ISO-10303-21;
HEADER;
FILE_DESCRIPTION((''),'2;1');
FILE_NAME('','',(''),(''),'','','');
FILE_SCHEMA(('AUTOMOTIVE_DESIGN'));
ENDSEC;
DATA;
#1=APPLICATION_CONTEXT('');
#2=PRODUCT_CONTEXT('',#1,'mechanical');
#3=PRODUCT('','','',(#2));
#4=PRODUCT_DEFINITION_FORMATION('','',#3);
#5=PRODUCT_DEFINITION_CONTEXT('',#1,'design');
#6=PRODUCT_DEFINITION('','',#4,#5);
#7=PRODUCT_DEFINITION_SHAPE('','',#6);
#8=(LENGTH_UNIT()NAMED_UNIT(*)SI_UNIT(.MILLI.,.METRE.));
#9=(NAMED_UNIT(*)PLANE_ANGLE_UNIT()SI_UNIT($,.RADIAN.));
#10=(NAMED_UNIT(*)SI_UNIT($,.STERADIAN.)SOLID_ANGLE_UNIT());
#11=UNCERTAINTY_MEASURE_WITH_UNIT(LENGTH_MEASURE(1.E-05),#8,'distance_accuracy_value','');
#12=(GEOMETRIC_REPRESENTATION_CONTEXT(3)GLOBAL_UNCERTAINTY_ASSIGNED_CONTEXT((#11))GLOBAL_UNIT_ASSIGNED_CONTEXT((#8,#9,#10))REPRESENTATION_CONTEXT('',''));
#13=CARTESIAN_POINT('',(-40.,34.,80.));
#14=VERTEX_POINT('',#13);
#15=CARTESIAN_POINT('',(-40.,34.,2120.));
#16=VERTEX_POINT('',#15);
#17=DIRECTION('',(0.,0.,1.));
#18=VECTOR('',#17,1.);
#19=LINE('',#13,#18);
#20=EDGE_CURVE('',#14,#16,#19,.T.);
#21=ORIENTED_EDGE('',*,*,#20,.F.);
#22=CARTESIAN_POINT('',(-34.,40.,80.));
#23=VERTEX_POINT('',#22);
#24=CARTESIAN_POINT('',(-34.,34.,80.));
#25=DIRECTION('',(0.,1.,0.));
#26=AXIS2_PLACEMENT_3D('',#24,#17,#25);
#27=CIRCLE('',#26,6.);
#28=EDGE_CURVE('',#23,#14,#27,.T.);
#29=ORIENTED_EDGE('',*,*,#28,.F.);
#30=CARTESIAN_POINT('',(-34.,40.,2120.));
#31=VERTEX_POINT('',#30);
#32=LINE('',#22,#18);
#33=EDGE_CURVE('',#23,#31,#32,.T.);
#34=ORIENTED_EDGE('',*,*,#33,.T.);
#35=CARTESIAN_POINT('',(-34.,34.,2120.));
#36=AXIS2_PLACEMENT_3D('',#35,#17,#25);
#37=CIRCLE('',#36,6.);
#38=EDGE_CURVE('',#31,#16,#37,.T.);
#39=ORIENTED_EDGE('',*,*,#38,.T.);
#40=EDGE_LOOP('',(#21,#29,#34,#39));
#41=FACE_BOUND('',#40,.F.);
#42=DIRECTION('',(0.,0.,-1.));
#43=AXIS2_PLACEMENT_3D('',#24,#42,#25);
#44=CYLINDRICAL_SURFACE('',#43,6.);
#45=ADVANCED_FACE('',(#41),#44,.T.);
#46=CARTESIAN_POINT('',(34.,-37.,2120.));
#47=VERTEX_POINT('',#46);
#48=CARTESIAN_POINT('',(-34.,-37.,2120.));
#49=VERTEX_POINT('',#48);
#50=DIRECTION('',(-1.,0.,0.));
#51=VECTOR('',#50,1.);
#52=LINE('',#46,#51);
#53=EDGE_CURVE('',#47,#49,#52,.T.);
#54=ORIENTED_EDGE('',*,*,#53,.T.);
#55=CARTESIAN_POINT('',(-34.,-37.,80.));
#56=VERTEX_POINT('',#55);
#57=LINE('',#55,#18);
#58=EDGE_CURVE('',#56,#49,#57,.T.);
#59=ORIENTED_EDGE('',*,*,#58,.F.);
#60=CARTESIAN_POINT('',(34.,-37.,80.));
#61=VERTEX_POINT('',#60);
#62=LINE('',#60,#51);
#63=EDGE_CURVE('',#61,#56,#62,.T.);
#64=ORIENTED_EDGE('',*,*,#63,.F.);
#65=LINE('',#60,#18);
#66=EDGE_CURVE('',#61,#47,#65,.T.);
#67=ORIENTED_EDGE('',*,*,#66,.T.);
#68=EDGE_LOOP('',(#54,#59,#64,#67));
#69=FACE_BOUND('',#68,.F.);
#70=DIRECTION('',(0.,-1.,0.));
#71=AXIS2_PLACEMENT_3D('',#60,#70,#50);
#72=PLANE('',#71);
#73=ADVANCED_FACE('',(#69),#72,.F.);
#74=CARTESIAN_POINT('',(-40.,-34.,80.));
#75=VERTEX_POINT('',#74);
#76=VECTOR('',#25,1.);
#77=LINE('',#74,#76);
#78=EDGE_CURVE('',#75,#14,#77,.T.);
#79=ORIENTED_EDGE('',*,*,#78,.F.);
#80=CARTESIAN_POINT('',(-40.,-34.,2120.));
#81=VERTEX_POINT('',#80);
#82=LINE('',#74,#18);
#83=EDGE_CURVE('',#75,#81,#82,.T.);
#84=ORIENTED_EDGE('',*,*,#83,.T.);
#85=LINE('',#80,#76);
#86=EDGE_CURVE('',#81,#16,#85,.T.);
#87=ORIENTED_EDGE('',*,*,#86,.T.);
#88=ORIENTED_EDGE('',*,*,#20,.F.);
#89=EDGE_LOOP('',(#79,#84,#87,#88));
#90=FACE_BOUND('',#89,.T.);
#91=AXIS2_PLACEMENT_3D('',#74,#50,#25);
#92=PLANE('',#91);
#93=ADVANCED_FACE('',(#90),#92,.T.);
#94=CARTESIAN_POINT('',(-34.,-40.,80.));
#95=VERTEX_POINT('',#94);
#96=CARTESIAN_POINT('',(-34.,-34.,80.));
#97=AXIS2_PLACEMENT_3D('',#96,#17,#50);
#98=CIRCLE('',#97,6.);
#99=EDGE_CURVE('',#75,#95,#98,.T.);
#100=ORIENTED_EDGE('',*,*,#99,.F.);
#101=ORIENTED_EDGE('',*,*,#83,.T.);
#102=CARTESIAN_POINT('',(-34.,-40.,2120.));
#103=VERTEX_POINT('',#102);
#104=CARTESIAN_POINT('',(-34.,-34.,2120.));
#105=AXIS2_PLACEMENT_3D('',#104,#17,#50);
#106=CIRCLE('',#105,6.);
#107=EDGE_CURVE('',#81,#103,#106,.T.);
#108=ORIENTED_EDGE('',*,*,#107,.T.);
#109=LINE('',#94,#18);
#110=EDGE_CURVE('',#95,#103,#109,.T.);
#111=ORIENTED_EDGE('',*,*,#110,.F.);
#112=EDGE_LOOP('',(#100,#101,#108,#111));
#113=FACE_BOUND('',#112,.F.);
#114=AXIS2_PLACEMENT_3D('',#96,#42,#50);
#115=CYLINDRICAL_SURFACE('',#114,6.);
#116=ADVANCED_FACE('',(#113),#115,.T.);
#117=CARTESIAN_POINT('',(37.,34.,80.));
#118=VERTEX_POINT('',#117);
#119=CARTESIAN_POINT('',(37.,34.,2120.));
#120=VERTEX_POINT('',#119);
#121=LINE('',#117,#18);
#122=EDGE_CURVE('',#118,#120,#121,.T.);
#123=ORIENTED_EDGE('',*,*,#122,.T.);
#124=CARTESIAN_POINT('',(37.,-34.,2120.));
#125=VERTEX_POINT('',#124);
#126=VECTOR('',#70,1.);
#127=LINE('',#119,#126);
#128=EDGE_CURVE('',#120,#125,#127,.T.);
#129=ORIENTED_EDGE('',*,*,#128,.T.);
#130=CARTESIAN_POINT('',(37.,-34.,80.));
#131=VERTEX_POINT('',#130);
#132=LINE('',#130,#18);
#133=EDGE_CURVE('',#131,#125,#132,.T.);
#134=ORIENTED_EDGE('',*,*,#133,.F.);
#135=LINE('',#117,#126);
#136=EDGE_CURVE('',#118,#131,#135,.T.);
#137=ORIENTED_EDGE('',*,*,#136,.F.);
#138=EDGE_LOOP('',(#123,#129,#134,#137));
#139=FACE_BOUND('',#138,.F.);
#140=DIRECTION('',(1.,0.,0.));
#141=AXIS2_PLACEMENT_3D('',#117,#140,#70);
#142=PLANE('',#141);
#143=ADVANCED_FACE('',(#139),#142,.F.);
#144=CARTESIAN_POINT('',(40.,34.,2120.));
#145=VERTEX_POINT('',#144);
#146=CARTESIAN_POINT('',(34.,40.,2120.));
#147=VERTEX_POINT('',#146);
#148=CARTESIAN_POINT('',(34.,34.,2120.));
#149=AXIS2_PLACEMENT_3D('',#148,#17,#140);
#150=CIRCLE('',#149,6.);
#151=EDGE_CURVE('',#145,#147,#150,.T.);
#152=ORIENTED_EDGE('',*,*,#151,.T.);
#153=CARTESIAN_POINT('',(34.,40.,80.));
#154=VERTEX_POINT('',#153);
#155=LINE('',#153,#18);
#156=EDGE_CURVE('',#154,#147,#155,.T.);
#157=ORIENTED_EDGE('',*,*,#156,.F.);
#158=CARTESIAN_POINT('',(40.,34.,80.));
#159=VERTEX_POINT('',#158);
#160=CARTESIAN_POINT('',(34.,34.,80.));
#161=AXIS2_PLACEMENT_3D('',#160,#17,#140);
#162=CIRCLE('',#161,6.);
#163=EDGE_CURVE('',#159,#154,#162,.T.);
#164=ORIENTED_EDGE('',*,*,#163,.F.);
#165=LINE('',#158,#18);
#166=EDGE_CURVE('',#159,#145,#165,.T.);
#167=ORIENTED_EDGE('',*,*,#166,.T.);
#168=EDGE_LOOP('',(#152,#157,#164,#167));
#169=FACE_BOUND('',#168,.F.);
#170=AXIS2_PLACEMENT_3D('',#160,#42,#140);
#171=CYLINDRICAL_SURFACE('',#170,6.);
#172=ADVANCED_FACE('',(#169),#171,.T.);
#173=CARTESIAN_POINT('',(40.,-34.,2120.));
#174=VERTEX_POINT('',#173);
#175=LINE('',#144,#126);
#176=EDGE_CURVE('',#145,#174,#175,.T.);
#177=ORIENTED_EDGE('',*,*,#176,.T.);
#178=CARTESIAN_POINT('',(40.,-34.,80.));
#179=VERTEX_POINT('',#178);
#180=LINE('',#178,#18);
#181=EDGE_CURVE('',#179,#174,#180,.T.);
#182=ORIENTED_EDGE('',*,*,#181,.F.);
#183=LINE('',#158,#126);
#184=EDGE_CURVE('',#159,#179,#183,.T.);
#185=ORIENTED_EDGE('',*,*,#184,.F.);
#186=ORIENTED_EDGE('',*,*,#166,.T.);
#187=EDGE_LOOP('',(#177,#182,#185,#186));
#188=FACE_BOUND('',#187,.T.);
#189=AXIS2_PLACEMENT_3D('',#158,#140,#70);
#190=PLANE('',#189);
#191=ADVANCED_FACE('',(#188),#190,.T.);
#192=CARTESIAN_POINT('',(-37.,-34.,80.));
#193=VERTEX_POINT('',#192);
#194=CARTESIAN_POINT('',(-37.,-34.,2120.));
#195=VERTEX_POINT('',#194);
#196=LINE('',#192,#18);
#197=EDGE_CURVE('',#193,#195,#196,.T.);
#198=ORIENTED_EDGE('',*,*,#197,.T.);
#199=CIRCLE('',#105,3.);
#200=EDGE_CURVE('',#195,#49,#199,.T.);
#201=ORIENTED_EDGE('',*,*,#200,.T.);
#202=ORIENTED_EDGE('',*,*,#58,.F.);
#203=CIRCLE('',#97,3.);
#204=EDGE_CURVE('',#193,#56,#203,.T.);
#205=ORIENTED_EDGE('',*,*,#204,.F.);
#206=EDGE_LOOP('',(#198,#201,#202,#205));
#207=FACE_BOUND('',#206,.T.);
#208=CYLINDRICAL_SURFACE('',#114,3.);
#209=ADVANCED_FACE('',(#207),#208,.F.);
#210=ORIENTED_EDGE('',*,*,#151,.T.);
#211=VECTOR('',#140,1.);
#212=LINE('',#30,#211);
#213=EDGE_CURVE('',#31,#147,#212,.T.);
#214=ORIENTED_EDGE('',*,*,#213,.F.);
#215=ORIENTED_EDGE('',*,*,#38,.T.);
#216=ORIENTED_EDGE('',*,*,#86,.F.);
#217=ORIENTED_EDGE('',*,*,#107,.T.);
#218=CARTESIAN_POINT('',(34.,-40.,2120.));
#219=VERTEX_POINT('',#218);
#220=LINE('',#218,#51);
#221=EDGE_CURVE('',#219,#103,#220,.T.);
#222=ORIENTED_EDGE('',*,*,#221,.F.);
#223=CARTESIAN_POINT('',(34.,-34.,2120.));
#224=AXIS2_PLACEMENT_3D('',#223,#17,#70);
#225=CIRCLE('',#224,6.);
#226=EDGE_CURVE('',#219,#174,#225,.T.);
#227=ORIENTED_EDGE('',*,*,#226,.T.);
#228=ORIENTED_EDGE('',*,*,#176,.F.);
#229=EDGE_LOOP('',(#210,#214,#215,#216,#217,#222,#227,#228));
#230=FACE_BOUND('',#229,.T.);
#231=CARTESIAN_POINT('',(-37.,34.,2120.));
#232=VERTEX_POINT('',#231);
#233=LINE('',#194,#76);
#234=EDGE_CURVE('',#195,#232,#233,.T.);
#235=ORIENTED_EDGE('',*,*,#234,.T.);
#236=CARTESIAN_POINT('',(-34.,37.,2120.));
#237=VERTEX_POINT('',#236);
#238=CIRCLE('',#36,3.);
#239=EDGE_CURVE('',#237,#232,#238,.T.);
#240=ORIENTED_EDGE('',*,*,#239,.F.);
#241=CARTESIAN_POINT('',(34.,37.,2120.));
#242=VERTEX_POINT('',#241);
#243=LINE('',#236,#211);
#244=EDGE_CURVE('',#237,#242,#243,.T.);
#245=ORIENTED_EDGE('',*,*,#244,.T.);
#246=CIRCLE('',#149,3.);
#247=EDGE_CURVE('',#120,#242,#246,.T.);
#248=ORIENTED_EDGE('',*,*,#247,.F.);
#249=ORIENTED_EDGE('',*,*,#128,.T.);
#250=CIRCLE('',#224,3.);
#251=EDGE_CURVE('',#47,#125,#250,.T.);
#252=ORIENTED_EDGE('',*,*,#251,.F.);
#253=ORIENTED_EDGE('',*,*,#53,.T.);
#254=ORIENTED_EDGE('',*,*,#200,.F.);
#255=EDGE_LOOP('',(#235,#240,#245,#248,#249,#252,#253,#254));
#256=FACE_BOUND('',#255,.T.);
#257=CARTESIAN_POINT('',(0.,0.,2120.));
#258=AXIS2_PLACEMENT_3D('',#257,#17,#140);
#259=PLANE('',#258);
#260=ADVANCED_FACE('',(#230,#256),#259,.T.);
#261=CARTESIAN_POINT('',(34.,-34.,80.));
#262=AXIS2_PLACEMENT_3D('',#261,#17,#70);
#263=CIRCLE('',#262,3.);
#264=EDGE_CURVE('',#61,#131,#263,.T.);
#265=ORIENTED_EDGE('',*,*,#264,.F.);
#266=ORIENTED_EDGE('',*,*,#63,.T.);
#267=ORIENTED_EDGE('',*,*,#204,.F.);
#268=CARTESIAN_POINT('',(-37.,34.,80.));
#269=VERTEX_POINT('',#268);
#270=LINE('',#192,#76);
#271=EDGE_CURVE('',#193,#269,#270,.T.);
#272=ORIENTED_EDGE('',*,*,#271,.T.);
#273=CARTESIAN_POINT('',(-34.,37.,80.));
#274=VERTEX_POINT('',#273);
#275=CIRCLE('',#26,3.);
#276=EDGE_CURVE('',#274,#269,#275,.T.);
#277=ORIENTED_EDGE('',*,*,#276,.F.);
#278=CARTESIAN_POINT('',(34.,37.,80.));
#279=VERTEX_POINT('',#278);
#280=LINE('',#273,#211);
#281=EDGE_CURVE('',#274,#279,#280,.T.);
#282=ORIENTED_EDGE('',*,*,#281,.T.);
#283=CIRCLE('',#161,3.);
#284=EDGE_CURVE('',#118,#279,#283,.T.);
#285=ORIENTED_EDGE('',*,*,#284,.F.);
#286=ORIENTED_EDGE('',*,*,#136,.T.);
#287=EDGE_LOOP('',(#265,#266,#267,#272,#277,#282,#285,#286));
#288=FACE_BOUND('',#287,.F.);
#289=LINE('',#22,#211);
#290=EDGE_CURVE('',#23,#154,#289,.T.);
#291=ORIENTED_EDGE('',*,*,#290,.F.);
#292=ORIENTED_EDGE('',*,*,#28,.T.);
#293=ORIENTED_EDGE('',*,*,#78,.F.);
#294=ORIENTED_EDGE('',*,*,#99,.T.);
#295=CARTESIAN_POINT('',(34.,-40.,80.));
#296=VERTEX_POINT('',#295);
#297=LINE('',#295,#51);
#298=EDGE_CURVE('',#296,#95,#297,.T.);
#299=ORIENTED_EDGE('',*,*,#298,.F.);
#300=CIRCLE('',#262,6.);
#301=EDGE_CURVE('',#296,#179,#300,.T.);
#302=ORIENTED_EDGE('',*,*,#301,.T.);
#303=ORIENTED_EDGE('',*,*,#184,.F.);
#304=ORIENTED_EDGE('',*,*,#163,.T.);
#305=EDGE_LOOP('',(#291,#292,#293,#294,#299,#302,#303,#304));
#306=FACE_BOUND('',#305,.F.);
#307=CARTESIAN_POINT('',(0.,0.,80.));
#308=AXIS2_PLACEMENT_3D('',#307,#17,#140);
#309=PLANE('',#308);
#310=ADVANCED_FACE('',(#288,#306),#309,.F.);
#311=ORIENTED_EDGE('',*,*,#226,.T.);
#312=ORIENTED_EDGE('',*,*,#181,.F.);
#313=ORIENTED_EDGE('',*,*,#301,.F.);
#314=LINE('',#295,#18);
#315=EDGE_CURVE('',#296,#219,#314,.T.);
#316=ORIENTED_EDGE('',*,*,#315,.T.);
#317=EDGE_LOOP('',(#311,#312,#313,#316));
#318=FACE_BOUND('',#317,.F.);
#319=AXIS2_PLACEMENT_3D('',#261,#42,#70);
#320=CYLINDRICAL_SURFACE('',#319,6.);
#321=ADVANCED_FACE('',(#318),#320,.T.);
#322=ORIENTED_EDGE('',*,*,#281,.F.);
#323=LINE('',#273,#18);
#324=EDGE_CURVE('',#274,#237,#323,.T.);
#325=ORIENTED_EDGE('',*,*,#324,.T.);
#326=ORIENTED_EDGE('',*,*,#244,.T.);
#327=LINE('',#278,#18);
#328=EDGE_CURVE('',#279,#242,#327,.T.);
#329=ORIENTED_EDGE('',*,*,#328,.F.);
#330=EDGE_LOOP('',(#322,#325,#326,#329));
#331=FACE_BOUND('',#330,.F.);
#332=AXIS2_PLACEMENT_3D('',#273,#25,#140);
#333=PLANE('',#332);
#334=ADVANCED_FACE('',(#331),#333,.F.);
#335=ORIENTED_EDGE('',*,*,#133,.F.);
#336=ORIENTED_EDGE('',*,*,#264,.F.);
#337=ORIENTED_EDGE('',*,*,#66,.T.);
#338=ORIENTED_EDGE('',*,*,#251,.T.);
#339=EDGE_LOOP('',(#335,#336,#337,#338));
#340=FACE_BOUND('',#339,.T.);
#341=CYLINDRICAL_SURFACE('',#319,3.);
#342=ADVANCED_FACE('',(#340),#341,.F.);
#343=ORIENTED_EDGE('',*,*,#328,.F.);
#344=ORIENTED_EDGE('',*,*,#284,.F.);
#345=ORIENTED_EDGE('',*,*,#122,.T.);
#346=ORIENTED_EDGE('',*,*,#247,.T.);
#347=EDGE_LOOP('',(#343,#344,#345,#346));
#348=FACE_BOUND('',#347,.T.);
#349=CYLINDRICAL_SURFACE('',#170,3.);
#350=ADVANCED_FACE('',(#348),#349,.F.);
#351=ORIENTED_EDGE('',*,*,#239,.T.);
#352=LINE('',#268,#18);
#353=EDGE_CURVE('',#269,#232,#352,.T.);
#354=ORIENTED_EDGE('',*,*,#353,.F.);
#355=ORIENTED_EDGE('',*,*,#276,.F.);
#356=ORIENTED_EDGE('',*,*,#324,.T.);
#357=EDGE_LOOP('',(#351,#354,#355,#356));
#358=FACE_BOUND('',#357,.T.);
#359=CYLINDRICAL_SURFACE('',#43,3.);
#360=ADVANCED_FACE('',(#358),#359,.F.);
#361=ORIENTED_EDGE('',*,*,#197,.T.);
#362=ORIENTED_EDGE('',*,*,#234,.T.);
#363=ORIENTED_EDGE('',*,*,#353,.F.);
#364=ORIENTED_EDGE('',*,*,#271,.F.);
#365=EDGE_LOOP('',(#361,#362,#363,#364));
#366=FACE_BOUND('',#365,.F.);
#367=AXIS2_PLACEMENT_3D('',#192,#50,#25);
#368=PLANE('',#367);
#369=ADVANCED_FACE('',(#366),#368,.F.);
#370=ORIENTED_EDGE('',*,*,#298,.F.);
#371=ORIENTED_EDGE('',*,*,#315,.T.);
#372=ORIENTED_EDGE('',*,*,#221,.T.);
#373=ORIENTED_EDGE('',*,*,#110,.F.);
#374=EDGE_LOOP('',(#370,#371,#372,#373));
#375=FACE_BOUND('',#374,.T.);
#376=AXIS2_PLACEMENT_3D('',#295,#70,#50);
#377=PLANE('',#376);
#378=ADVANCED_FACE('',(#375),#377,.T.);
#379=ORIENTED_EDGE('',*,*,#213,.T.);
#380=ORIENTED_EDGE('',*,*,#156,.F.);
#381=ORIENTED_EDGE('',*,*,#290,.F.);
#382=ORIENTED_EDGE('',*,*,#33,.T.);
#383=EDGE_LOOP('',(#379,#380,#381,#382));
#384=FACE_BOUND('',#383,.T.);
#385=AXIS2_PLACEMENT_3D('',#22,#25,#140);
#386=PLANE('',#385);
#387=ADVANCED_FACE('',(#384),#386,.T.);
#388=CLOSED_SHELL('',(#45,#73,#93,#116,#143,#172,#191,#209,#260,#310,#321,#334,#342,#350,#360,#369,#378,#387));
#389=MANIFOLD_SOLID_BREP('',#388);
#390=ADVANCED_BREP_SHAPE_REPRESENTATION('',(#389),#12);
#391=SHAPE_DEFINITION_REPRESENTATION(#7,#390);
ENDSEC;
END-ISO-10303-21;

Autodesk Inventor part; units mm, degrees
ref_plane "YZ Plane" through (0, 0, 0) normal (1, 0, 0) x (0, 1, 0)
ref_plane "Start Plane" through (0, 0, 80) normal (0, 0, 1) x (1, 0, 0)
ref_plane "End Plane" through (0, 0, 2120) normal (0, 0, 1) x (1, 0, 0)
sketch "Sketch" plane through (0, 0, 0) normal (0, 0, 1) x (1, 0, 0)
  line L0 (-40, -34) -> (-40, 34)
  line L1 (-34, 40) -> (34, 40)
  line L2 (40, 34) -> (40, -34)
  line L3 (34, -40) -> (-34, -40)
  arc A0 (-40, -34) -> (-34, -40) centre (-34, -34) ccw
  arc A1 (40, 34) -> (34, 40) centre (34, 34) ccw
  arc A2 (-34, 40) -> (-40, 34) centre (-34, 34) ccw
  arc A3 (34, -40) -> (40, -34) centre (34, -34) ccw
  arc A4 (-34, 37) -> (-37, 34) centre (-34, 34) ccw
  line L4 (-34, 37) -> (34, 37)
  arc A5 (37, 34) -> (34, 37) centre (34, 34) ccw
  line L5 (37, 34) -> (37, -34)
  arc A6 (34, -37) -> (37, -34) centre (34, -34) ccw
  line L6 (34, -37) -> (-34, -37)
  arc A7 (-37, -34) -> (-34, -37) centre (-34, -34) ccw
  line L7 (-37, -34) -> (-37, 34)
  line L8 (0, 57.7397) -> (0, -57.7397) construction
  line L9 (-57.7397, 0) -> (57.7397, 0) construction
  dimension "d7" = 6
  dimension "d9" = 80
  dimension "d11" = 80
  dimension "d12" = 3
  dimension "d15" = 40
  dimension "d16" = 40
extrude "Body" add sketch "Sketch" along normal up to surface (2040 mm away) from surface at 80
sketch "Sketch3" plane through (0, 0, 0) normal (0, 0, 1) x (1, 0, 0)
  line L0 (0, 0) -> (10, 0)
ref_plane "Work Plane3" through (0, 0, 0) normal (0, -1, 0) x (1, 0, 0)
sketch "Sketch4" plane through (0, 0, 0) normal (0, -1, 0) x (1, 0, 0)
  line L0 (-2, 80) -> (12, 80) projected
  line L1 (-2, 2120) -> (12, 2120) projected
  dimension "d18" = 2040
equation "\"d7\" = G_IR"
equation "\"d9\" = G_W"
equation "\"d11\" = G_H"
equation "\"d12\" = G_T"
equation "\"d15\" = 0.5 * d9"
equation "\"d16\" = 0.5 * d11"
equation "\"d3\" = G_L"
equation "\"G_W\" = 80"
equation "\"G_H\" = 80"
equation "\"G_T\" = 3"
equation "\"G_IR\" = 6"
equation "\"G_L\" = d18"
properties part number "ISO 10799-2 - 80x80x3 - 2040" material "Steel, Mild"
